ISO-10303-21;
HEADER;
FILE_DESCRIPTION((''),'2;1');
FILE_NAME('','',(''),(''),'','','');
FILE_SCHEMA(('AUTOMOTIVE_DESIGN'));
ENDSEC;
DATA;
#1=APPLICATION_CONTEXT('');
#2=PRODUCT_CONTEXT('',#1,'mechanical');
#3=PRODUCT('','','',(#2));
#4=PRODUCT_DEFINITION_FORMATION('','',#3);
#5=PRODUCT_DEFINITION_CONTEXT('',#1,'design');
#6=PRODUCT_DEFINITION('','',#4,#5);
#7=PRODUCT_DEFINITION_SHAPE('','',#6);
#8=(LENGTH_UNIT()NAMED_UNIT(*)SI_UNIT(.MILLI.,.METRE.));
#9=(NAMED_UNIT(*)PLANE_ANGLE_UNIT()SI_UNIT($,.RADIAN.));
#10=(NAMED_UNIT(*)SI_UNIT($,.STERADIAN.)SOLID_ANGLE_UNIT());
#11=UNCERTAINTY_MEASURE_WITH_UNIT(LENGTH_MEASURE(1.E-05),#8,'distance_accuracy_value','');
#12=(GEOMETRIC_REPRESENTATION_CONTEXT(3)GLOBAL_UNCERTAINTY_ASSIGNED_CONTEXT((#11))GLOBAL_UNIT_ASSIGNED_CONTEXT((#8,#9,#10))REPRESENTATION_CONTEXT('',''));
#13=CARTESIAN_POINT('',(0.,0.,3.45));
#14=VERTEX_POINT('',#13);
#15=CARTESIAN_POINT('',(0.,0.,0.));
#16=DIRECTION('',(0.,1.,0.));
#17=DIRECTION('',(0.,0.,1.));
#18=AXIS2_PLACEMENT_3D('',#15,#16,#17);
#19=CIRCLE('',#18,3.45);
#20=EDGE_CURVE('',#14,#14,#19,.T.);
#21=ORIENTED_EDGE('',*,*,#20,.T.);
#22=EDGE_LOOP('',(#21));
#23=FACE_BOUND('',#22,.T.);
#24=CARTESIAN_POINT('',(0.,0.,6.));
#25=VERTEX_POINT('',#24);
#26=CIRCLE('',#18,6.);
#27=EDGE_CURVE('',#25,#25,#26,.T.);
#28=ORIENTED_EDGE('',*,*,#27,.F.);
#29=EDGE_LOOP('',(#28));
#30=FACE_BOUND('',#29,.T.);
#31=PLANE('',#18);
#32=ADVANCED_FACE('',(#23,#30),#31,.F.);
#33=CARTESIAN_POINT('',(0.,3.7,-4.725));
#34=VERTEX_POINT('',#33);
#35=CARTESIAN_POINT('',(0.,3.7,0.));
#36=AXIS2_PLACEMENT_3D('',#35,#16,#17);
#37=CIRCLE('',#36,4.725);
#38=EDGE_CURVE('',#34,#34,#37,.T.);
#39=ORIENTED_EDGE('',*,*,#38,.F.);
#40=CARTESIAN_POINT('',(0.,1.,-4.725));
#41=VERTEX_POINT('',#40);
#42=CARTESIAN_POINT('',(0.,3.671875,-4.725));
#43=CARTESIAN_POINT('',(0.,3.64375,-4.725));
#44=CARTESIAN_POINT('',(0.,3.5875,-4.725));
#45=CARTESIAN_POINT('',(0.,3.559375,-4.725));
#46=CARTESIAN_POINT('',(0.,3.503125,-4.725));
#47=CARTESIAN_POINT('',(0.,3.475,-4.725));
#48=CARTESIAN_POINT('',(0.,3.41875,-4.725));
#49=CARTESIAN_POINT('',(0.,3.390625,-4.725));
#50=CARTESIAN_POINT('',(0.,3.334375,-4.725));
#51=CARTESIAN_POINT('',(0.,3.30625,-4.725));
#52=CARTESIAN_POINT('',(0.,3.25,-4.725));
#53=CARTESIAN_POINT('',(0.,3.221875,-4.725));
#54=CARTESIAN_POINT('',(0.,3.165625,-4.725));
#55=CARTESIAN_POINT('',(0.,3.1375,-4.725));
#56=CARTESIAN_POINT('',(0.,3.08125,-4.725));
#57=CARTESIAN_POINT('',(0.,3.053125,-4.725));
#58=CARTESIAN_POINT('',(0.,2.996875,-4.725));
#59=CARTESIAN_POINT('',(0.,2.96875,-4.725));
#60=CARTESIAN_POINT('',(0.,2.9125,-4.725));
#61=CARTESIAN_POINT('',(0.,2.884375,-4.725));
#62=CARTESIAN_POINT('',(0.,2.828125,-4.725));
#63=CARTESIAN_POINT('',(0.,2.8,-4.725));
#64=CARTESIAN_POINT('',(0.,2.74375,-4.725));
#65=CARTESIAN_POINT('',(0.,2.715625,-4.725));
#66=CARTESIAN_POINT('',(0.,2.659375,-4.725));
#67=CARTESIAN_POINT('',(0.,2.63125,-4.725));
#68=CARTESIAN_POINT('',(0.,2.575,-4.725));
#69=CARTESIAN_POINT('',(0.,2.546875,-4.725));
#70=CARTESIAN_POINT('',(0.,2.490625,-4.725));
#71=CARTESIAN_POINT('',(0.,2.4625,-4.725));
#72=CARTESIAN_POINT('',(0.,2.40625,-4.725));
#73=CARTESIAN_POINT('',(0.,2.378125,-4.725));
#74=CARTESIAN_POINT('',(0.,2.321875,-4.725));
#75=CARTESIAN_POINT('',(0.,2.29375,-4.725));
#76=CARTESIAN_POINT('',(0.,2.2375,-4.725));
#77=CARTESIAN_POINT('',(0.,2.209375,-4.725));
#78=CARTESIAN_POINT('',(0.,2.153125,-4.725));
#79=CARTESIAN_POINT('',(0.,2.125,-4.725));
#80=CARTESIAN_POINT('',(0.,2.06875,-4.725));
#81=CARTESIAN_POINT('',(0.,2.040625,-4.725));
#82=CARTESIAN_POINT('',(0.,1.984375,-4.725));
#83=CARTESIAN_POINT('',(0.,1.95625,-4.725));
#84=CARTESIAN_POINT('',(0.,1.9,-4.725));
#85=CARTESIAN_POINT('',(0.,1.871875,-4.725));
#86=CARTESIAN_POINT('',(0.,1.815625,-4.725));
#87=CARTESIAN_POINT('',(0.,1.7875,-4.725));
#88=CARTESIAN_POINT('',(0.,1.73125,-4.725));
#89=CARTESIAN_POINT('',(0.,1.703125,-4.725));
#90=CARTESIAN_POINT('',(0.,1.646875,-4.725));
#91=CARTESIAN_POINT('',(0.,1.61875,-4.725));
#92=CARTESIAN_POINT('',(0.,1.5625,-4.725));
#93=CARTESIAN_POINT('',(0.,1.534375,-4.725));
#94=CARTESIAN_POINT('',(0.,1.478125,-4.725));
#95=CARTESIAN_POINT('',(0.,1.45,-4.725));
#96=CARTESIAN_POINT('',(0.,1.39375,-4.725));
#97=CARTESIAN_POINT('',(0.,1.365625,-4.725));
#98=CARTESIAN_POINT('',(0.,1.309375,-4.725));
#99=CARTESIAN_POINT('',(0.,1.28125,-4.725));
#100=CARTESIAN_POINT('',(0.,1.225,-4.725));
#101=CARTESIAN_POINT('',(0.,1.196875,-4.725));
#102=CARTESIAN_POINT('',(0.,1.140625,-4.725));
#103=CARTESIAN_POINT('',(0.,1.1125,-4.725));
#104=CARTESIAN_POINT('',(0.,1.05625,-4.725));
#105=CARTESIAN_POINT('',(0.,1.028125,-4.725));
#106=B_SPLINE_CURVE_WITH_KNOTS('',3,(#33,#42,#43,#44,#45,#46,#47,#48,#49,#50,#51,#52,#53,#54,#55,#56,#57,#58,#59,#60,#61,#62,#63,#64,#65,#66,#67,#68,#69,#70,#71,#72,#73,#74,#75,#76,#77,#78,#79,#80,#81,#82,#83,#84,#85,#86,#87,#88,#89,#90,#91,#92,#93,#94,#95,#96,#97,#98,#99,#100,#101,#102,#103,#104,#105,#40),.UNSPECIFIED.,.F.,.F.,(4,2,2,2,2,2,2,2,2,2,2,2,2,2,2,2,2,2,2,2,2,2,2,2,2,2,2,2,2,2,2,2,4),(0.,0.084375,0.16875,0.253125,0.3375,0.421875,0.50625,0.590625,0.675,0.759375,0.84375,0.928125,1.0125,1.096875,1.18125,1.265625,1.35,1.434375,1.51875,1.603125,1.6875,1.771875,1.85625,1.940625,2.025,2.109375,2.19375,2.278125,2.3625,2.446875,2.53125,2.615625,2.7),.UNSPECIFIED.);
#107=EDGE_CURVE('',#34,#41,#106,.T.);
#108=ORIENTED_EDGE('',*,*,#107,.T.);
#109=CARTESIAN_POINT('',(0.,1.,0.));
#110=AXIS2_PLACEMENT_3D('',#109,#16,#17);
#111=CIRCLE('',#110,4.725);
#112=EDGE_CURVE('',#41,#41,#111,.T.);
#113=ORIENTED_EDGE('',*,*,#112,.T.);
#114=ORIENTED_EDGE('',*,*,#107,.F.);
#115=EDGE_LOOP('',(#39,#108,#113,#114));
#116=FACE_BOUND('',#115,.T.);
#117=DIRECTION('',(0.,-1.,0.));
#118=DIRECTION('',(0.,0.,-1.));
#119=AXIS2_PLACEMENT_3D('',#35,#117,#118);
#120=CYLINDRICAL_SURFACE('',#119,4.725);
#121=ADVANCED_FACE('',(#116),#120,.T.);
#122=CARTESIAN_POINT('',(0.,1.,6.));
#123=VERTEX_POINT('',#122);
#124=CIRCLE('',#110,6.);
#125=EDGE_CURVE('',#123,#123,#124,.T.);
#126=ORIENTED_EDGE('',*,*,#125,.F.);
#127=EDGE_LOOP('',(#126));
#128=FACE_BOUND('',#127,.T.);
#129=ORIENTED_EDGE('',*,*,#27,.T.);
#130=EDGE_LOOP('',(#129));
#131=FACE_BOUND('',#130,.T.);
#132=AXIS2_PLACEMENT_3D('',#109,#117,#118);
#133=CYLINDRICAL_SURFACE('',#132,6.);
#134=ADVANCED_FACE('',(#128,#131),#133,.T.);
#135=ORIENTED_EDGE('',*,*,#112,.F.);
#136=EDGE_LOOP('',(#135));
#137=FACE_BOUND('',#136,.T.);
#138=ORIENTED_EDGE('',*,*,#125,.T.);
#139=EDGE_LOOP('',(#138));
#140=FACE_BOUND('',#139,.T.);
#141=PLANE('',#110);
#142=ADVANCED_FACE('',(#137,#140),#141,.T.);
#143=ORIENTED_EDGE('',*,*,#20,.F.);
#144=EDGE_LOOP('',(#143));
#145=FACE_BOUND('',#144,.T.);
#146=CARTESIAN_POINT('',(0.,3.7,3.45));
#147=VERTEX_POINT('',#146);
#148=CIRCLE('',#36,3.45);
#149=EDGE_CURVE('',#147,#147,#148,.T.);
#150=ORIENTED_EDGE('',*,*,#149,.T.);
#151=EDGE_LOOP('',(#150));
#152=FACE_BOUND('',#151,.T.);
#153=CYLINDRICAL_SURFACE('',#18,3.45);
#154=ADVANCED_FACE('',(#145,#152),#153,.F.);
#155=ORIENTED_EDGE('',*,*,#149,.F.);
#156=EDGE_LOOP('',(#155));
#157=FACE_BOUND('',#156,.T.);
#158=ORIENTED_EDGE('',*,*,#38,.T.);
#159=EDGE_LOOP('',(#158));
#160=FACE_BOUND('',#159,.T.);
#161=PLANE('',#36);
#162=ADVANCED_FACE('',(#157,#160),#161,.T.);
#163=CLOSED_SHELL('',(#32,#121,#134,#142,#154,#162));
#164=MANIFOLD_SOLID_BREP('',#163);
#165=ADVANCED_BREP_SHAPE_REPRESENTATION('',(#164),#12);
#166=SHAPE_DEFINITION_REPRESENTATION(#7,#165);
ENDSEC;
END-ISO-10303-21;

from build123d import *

# Parameters (mm, degrees)
SKETCH1_R           = 6
BOSS_EXTRUDE1_DEPTH = 1
SKETCH2_R           = 4.725
BOSS_EXTRUDE2_DEPTH = 2.7
SKETCH3_R           = 3.45
CUT_EXTRUDE1_DEPTH  = 10.256889326


with BuildPart() as part:
    # Sketch1 → Boss-Extrude1 (new body)
    with BuildSketch(Plane(origin=(0, 0, 0), x_dir=(1, 0, 0), z_dir=(0, 1, 0))):
        with Locations(Location((0, 0, 0), (0, 0, 270))):
            Circle(SKETCH1_R)
    extrude(amount=BOSS_EXTRUDE1_DEPTH)

    # Sketch2 → Boss-Extrude2 (add)
    with BuildSketch(Plane(origin=(0, 1, 0), x_dir=(1, 0, 0), z_dir=(0, 1, 0))):
        with Locations(Location((0, 0, 0), (0, 0, 90))):
            Circle(SKETCH2_R)
    extrude(amount=BOSS_EXTRUDE2_DEPTH)

    # Sketch3 → Cut-Extrude1 (cut, through all)
    with BuildSketch(Plane(origin=(0, 3.7, 0), x_dir=(1, 0, 0), z_dir=(0, 1, 0))):
        with Locations(Location((0, 0, 0), (0, 0, 270))):
            Circle(SKETCH3_R)
    extrude(amount=-CUT_EXTRUDE1_DEPTH, mode=Mode.SUBTRACT)


solid = part.part
